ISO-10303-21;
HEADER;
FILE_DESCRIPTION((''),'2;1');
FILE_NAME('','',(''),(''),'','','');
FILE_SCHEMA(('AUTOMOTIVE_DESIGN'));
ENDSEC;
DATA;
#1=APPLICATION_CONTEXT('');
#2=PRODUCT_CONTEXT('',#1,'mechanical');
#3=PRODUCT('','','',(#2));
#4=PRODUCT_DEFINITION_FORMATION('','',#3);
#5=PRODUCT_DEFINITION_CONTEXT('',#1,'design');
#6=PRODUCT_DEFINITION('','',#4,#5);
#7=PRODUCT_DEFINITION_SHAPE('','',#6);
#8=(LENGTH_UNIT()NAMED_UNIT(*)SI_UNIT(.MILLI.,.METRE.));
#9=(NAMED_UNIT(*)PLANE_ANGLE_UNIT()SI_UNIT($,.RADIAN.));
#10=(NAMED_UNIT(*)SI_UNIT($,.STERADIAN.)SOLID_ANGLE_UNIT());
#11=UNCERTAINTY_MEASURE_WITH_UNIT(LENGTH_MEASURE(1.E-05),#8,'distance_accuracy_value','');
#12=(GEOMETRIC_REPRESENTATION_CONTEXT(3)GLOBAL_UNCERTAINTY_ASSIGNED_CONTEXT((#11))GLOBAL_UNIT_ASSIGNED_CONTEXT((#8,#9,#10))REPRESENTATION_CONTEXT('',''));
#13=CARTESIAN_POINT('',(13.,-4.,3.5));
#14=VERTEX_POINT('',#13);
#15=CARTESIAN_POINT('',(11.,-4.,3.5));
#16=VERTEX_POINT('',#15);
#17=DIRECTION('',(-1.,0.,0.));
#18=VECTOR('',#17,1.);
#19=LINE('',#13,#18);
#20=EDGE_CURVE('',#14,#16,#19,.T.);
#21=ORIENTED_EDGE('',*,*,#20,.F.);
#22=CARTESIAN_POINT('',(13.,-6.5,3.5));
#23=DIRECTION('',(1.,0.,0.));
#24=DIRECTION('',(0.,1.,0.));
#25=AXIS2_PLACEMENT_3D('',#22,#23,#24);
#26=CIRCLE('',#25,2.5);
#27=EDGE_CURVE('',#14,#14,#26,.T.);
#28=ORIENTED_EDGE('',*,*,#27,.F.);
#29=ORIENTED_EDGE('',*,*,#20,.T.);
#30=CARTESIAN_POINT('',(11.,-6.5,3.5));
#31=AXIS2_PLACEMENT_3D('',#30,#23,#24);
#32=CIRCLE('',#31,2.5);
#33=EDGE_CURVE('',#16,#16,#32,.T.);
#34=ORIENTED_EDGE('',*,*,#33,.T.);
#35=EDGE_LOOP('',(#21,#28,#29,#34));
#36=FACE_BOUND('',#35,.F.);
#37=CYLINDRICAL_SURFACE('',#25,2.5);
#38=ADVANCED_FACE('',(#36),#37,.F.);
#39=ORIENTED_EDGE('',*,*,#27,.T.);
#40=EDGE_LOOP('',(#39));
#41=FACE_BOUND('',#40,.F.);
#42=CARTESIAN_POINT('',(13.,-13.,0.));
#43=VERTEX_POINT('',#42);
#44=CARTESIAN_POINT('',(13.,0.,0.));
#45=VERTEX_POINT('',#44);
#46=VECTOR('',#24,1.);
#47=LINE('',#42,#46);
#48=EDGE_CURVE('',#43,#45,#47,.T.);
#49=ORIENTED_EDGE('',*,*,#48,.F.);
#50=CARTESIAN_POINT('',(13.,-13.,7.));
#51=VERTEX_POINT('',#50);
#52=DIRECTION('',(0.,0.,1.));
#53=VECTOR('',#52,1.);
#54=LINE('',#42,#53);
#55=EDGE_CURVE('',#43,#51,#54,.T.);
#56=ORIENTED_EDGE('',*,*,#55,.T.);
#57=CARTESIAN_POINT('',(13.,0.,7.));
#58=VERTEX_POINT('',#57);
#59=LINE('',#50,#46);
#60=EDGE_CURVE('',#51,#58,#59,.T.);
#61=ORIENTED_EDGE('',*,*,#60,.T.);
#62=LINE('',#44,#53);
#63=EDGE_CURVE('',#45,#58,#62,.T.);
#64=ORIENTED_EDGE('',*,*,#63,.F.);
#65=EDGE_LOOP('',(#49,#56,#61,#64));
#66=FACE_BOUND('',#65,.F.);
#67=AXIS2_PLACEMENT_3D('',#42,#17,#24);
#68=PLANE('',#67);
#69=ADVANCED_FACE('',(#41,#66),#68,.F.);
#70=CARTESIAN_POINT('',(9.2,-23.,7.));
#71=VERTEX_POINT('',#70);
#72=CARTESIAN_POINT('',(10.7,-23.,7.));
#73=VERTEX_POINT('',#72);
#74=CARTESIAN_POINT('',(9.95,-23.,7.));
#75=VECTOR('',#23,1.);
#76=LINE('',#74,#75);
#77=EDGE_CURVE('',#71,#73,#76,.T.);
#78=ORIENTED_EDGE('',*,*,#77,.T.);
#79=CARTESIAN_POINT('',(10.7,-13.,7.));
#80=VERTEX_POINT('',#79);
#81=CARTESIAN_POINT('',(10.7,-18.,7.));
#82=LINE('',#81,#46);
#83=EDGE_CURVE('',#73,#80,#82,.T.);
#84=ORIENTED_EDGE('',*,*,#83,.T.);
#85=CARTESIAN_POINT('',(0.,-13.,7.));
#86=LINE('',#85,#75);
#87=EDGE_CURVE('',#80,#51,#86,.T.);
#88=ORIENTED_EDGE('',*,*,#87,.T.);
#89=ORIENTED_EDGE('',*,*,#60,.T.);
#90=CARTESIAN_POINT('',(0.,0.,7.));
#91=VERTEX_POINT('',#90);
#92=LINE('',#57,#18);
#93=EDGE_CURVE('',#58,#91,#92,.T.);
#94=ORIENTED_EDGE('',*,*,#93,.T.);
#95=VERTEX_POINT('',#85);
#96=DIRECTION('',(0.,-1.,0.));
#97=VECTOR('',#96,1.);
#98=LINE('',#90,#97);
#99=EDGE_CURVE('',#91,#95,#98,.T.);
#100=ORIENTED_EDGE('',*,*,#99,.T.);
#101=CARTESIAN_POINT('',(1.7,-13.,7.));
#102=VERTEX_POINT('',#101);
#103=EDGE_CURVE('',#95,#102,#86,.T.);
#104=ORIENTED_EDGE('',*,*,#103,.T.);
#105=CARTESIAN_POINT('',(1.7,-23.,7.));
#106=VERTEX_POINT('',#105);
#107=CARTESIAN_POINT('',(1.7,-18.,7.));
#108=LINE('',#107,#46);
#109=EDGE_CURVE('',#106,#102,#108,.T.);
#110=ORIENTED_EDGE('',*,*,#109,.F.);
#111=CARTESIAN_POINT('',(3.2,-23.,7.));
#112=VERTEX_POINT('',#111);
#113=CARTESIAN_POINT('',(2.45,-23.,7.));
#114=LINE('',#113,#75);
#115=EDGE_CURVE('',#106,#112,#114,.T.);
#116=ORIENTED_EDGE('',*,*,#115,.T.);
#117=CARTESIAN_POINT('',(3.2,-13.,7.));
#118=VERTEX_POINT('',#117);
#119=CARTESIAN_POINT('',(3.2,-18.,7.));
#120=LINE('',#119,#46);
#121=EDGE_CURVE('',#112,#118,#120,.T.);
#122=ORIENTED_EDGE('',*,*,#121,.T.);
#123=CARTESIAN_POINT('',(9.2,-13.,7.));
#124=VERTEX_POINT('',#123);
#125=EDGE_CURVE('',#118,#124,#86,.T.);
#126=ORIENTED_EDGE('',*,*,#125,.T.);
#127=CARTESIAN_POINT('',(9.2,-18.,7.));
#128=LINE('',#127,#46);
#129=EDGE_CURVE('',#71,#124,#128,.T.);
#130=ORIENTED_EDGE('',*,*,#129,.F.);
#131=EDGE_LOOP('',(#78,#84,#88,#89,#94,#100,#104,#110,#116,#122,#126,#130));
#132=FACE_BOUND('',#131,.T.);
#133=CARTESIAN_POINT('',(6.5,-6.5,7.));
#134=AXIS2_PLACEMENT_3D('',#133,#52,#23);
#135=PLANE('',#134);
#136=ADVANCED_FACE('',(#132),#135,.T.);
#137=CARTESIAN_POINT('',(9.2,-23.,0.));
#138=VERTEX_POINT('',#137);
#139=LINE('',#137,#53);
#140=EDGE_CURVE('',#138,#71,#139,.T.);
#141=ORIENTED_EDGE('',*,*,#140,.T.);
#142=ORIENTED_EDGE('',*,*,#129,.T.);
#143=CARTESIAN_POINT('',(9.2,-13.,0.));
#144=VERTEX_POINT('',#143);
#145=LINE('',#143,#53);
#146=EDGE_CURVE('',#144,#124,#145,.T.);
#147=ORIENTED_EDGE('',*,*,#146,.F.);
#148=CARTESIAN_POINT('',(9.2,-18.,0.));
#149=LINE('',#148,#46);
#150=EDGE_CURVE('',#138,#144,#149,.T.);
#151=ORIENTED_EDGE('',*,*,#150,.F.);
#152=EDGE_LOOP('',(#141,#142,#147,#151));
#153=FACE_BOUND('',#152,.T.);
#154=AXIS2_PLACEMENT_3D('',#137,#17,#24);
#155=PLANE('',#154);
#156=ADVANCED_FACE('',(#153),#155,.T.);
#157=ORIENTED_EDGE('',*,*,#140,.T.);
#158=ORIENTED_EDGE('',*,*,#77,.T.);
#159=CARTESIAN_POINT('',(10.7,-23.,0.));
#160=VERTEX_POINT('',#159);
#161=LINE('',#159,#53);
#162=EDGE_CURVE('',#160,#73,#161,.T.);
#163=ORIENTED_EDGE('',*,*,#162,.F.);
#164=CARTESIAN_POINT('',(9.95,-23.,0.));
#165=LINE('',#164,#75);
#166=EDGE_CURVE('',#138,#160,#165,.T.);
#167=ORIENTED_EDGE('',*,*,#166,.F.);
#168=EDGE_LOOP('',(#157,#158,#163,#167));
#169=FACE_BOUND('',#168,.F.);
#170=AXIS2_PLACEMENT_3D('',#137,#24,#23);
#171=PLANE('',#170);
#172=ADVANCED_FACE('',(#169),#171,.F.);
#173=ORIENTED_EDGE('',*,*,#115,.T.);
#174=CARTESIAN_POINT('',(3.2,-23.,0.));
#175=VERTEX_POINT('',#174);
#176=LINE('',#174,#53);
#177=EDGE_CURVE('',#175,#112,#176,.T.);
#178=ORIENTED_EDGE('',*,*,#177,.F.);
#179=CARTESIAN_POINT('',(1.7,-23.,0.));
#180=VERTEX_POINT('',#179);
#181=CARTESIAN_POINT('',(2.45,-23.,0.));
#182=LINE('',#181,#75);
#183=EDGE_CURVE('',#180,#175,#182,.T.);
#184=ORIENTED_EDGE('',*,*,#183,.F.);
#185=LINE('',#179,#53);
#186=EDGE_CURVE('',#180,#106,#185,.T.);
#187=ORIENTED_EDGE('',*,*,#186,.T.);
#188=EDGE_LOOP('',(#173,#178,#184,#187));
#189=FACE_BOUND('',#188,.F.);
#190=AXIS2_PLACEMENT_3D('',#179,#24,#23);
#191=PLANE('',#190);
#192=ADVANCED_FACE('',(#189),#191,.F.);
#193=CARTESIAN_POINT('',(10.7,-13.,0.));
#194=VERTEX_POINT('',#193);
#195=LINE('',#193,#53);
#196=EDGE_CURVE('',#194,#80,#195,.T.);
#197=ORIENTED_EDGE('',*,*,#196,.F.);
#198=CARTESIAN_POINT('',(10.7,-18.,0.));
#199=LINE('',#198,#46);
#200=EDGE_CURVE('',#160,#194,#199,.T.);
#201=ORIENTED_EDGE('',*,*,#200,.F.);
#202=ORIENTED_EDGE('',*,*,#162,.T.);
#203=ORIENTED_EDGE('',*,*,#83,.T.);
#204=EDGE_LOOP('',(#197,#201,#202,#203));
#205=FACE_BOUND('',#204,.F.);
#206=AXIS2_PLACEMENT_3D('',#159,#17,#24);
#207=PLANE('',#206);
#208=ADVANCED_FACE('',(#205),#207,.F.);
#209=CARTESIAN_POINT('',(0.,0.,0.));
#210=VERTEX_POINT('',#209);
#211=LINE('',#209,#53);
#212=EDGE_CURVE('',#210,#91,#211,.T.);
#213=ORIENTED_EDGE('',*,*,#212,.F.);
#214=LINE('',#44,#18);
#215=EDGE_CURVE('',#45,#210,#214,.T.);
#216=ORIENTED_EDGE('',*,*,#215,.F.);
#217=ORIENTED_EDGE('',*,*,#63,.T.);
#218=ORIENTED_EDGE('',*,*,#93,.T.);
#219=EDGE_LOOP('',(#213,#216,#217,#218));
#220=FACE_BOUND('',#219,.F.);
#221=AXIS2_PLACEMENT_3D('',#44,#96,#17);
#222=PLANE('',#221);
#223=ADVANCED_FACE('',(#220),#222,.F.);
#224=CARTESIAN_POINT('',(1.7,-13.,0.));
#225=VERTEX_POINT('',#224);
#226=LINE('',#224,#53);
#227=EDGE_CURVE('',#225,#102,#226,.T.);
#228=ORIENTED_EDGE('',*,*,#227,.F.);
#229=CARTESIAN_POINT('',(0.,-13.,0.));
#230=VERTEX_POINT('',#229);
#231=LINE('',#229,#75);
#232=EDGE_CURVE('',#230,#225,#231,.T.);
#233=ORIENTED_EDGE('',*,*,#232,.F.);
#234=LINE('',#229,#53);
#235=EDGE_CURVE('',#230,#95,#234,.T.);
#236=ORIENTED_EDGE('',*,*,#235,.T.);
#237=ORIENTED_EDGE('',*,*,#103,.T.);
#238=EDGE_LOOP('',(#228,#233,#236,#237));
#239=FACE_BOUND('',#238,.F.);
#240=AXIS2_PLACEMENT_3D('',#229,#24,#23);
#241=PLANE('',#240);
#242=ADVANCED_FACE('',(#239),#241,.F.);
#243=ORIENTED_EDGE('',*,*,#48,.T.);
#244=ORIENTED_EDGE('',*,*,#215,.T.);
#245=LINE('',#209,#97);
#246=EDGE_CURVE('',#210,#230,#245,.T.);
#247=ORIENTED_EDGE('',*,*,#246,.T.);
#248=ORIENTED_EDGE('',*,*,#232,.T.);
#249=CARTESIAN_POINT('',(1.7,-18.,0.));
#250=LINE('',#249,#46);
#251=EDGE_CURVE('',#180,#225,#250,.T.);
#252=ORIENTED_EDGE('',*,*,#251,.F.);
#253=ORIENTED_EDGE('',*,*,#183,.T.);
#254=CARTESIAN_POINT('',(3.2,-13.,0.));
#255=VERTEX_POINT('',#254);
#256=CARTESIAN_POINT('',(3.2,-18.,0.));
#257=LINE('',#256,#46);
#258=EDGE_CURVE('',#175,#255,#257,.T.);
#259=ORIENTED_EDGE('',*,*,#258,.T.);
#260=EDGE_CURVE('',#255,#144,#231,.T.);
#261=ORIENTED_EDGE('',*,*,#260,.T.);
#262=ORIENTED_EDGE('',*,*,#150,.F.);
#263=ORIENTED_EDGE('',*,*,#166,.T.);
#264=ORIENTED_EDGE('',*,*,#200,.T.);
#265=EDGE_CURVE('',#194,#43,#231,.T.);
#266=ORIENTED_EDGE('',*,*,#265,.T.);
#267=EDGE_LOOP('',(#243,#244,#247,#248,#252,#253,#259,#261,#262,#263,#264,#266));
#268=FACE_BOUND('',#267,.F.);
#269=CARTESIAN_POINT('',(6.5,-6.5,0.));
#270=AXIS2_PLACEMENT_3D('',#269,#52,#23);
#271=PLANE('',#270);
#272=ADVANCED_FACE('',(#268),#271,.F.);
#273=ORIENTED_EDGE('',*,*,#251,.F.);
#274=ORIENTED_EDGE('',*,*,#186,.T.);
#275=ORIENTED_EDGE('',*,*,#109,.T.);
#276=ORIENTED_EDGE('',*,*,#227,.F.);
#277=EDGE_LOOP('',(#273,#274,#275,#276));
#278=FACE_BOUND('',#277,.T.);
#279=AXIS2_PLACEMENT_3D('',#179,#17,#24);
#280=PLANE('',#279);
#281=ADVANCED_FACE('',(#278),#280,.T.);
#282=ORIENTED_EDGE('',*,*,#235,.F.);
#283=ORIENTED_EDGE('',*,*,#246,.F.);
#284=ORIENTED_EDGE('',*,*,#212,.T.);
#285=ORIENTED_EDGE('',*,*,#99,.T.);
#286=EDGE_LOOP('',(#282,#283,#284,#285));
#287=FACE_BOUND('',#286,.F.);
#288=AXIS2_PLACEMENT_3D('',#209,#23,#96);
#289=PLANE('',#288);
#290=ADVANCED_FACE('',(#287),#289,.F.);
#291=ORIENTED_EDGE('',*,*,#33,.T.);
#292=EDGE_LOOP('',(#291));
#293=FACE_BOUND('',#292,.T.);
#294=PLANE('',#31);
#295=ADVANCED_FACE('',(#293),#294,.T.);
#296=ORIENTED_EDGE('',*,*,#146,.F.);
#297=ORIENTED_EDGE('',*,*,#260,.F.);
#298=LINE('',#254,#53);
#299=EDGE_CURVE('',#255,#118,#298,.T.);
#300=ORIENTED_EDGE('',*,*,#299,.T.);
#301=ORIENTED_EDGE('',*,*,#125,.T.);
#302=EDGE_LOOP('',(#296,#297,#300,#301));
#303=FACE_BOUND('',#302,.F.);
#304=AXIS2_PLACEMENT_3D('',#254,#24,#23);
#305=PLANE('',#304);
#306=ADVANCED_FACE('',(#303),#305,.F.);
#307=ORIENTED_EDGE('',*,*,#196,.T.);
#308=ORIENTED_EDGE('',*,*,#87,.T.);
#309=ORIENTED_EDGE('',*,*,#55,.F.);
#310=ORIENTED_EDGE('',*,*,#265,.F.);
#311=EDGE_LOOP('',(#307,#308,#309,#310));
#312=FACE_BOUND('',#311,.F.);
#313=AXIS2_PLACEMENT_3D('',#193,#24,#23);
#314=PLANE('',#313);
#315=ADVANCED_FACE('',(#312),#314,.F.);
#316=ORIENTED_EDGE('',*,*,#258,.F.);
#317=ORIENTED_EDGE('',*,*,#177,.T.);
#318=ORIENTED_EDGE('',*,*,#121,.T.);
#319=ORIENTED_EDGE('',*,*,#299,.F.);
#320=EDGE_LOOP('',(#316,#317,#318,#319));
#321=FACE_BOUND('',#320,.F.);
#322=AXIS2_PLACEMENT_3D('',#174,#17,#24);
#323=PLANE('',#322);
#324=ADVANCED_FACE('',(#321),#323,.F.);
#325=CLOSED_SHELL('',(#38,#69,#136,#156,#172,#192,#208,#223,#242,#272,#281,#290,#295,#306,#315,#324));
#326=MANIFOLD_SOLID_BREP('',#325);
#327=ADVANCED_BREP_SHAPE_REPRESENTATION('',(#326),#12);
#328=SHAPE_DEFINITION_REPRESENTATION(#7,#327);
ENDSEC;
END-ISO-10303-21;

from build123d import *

# Parameters (mm, degrees)
F0_W     = 1.5
F0_H     = 10
F1_DEPTH = 7
F2_R     = 2.5
F3_DEPTH = 2


with BuildPart() as f1:
    # F0 (on Top) → F1 (new body)
    with BuildSketch(Plane.XY):
        Polygon((13, 0), (0, 0), (0, -13), (1.7, -13), (3.2, -13), (9.2, -13), (10.7, -13), (13, -13), align=None)
        with Locations((2.45, -18)):
            Rectangle(F0_W, F0_H)
        with Locations((9.95, -18)):
            Rectangle(F0_W, F0_H)
    extrude(amount=F1_DEPTH)

    # F2 (on face) → F3 (cut)
    with BuildSketch(Plane.YZ.offset(13)):
        with Locations((-6.5, 3.5)):
            Circle(F2_R)
    extrude(amount=-F3_DEPTH, mode=Mode.SUBTRACT)


solid = f1.part
